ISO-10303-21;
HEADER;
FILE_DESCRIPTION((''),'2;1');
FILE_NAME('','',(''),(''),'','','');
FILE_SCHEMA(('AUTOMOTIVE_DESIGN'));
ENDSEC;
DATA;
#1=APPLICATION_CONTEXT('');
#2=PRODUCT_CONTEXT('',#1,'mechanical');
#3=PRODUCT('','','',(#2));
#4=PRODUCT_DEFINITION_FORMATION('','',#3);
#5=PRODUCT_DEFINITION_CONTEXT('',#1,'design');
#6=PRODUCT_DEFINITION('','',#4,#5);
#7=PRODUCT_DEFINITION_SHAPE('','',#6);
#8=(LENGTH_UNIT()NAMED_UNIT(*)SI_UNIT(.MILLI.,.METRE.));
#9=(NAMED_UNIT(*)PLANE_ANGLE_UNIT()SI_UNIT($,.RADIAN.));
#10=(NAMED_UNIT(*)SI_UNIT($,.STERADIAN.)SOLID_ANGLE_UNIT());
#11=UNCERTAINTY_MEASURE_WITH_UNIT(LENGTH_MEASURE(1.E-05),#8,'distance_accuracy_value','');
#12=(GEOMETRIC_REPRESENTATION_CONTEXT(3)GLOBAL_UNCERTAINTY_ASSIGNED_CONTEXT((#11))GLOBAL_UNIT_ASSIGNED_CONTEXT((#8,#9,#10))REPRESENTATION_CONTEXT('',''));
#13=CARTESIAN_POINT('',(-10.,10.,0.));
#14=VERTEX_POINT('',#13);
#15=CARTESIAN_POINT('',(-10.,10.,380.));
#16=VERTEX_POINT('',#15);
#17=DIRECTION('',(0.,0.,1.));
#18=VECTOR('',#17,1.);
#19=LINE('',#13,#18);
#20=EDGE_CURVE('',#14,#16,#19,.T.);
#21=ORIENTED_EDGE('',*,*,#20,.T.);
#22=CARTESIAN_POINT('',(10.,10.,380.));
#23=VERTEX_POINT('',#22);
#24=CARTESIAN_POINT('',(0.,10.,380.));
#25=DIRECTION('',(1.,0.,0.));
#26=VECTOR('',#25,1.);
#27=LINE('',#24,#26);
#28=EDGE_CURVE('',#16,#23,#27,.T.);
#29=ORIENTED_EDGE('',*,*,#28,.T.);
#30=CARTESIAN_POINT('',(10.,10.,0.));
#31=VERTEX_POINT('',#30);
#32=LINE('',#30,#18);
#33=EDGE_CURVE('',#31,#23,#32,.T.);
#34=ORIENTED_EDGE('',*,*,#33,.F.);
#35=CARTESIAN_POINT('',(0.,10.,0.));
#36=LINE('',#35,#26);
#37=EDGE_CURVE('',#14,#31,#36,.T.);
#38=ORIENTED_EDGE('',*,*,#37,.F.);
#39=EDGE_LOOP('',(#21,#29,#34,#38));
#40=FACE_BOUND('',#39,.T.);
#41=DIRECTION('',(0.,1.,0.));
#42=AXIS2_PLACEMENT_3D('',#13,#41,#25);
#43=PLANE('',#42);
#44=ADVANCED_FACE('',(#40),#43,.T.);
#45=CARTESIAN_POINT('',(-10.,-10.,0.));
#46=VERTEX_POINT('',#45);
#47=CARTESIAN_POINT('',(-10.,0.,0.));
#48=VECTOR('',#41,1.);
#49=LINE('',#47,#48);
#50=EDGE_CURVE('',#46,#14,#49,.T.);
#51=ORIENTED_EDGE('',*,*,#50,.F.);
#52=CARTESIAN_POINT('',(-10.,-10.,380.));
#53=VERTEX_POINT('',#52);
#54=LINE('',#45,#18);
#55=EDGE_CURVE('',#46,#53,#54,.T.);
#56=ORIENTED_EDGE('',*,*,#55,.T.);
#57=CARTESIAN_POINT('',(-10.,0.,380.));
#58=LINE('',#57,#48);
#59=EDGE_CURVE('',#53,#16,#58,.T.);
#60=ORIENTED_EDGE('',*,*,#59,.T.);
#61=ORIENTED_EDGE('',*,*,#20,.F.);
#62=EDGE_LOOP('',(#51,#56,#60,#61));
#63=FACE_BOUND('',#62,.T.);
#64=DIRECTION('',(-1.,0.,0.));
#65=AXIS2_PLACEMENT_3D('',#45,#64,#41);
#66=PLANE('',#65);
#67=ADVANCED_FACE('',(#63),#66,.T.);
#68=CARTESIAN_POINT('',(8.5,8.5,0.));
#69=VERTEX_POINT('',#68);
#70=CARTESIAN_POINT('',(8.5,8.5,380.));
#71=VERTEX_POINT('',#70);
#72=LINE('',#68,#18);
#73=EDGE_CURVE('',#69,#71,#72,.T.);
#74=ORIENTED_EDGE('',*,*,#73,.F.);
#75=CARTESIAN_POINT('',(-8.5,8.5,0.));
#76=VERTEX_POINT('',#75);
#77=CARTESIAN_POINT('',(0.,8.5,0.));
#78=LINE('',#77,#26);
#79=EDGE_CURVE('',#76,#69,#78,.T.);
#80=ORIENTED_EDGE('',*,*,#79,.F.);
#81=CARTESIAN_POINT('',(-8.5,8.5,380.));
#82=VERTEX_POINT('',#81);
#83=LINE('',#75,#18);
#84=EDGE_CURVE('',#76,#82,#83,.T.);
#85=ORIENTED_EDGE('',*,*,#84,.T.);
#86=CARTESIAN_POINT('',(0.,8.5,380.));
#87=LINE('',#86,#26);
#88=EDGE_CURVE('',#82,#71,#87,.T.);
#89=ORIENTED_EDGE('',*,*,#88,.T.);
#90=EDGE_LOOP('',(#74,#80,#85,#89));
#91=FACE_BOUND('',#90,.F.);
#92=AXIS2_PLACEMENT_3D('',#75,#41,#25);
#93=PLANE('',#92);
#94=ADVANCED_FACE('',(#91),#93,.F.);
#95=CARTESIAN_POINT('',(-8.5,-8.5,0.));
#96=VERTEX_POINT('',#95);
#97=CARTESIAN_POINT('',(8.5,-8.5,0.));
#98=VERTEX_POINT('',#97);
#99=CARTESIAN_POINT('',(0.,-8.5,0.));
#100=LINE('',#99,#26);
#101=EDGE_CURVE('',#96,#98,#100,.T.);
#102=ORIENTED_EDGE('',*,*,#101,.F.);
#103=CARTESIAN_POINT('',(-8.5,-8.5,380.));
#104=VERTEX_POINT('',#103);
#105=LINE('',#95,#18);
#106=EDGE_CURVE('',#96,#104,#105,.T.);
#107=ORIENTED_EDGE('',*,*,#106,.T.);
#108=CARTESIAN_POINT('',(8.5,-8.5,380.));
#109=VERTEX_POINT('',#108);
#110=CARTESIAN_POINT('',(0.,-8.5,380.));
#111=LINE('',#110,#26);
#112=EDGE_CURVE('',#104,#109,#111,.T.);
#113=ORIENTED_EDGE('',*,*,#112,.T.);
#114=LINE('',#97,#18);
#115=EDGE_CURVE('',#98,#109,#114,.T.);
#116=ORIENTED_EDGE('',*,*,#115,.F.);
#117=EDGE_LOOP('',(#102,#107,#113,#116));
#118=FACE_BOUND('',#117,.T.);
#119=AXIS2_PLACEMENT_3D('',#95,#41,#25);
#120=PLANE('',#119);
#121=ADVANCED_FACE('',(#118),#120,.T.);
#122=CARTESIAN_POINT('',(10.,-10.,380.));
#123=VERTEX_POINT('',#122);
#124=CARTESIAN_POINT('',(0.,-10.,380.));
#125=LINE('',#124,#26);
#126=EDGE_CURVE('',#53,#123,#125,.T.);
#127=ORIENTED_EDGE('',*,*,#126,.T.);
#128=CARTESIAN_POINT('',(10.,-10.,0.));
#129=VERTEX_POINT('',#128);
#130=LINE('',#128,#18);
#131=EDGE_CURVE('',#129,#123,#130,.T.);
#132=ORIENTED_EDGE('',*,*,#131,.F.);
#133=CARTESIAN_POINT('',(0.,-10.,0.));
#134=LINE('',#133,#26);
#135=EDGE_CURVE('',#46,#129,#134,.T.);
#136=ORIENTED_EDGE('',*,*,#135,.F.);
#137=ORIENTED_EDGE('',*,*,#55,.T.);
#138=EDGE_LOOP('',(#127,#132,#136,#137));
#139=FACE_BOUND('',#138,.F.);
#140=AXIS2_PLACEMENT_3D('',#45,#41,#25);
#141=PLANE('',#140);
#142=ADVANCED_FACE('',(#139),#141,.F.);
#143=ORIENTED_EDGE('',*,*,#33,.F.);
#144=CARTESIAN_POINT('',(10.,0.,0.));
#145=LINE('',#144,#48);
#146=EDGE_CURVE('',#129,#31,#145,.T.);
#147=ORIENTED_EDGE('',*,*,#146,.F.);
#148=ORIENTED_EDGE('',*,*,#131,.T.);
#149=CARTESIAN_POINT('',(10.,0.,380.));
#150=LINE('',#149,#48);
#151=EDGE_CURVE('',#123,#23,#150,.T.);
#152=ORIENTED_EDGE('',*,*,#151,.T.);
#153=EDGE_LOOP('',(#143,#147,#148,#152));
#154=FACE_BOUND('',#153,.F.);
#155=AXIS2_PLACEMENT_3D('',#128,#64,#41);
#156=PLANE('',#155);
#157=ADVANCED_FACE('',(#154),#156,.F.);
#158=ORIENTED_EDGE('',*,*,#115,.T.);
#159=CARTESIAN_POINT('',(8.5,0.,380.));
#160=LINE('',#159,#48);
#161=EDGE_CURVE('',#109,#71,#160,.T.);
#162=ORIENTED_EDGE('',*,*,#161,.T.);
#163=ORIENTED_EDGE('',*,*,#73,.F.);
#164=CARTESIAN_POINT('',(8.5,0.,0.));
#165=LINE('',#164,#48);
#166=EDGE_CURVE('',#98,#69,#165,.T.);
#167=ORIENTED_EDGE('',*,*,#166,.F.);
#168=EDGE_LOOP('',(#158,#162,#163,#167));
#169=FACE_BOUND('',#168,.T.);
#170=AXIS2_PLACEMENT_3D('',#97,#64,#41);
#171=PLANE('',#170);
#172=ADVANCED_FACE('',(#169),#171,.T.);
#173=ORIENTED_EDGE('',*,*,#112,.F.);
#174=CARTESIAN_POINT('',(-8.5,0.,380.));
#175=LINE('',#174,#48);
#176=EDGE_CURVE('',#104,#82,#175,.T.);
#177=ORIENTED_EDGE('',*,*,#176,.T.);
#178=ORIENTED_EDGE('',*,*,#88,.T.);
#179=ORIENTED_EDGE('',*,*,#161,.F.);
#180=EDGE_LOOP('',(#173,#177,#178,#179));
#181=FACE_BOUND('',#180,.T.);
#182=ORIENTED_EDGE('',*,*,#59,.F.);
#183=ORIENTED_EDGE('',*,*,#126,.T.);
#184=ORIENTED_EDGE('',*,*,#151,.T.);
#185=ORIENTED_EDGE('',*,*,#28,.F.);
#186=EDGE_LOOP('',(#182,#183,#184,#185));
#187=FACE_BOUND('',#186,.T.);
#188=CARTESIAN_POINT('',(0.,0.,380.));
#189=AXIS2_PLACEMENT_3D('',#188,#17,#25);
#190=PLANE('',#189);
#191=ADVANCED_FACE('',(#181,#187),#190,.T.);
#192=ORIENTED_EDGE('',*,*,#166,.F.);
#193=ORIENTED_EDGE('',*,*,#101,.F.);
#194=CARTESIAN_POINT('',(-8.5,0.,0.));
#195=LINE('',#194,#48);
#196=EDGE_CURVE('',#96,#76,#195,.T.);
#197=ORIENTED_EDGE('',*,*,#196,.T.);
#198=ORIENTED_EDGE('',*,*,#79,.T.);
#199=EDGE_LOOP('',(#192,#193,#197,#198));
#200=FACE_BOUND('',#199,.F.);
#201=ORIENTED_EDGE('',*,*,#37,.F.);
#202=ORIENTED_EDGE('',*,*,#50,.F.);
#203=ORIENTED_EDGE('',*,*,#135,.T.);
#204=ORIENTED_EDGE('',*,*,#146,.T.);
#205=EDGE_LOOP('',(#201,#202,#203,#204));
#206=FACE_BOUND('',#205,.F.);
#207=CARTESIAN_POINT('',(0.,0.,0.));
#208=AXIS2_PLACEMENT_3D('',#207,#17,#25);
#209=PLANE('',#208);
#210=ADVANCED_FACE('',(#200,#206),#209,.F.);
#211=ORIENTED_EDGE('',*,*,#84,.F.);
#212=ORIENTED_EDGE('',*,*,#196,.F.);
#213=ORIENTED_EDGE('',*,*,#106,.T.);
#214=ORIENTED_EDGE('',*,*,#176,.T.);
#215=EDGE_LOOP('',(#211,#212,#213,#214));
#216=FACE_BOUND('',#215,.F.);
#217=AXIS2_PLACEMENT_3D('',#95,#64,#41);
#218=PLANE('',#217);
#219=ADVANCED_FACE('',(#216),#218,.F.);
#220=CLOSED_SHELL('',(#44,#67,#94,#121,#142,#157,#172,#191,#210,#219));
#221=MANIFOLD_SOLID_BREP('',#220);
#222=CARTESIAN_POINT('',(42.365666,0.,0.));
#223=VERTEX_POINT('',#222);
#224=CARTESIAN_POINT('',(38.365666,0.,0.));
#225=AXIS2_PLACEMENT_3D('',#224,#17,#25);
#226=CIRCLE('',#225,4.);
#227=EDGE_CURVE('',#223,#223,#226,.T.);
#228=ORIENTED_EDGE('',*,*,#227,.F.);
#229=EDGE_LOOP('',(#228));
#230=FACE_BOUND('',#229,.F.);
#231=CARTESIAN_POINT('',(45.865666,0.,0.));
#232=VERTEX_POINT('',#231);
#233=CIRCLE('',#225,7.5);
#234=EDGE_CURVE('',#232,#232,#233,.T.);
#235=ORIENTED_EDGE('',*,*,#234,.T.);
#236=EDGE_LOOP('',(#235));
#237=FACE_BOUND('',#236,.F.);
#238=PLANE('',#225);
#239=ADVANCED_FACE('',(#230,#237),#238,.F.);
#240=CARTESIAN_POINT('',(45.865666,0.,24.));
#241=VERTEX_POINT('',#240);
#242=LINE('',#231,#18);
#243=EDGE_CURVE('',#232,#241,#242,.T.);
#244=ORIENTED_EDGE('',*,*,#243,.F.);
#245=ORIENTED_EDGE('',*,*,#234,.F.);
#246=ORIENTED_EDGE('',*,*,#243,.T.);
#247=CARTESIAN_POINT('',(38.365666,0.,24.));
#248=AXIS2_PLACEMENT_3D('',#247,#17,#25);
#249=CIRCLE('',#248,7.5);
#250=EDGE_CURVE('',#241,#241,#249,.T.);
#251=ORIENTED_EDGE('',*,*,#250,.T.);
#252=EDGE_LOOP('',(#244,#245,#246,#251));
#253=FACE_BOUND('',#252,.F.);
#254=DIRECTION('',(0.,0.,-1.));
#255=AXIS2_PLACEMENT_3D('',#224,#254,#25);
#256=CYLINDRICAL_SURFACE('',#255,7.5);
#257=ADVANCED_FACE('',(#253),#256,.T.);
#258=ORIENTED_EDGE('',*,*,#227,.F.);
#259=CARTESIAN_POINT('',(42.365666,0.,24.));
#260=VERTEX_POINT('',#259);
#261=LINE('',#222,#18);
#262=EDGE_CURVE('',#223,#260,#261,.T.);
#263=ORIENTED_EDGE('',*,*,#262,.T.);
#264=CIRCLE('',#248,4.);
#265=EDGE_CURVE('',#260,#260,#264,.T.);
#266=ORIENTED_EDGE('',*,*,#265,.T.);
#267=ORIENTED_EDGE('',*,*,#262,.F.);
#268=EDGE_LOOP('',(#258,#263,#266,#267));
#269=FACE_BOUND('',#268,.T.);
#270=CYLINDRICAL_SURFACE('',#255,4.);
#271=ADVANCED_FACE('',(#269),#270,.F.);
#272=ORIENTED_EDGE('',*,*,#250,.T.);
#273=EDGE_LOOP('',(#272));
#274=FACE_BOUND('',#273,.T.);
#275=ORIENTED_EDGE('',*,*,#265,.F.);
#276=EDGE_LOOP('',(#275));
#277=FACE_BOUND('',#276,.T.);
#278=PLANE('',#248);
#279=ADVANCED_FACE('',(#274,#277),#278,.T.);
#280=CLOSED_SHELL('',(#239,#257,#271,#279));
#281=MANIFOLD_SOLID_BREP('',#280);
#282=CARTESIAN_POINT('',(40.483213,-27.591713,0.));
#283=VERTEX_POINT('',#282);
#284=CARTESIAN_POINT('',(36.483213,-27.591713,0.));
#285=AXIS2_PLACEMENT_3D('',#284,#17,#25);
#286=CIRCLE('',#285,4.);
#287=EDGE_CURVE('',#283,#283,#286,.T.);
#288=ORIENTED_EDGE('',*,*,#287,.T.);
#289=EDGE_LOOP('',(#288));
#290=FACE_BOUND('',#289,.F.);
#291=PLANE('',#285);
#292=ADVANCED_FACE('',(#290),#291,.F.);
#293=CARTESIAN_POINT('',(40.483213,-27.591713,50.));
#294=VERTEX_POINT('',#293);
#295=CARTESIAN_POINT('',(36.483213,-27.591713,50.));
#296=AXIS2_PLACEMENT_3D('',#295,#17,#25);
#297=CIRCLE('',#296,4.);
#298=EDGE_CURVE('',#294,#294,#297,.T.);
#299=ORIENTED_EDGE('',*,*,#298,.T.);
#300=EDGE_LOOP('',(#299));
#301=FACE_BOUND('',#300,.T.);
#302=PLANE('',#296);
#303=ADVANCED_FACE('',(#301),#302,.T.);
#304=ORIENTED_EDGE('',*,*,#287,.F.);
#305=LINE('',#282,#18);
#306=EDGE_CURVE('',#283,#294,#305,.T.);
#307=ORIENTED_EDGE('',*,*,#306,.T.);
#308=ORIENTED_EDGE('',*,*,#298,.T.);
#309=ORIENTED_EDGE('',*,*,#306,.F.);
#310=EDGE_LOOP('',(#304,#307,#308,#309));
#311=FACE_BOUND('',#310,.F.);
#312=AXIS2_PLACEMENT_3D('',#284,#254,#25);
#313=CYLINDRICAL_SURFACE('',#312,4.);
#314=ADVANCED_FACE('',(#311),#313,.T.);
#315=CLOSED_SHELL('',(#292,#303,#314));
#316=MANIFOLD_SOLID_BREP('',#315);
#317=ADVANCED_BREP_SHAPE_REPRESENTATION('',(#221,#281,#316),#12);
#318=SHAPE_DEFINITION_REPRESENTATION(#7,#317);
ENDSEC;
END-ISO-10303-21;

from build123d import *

# Parameters (mm, degrees)
F0_W     = 20
F0_H     = 20
F0_W_2   = 17
F0_H_2   = 17
F1_DEPTH = 380
F2_R     = 7.5
F2_R_2   = 4
F3_DEPTH = 24
F4_R     = 4
F5_DEPTH = 50


with BuildPart() as f1:
    # F0 (on Top) → F1 (new body)
    with BuildSketch(Plane.XY):
        Rectangle(F0_W, F0_H)
        Rectangle(F0_W_2, F0_H_2, mode=Mode.SUBTRACT)
    extrude(amount=F1_DEPTH)


with BuildPart() as f3:
    # F2 (on Top) → F3 (new body)
    with BuildSketch(Plane.XY):
        with Locations((38.365666, 0)):
            Circle(F2_R)
        with Locations((38.365666, 0)):
            Circle(F2_R_2, mode=Mode.SUBTRACT)
    extrude(amount=F3_DEPTH)


with BuildPart() as f5:
    # F4 (on Top) → F5 (new body)
    with BuildSketch(Plane.XY):
        with Locations((36.483213, -27.591713)):
            Circle(F4_R)
    extrude(amount=F5_DEPTH)


solid = Compound([f1.part, f3.part, f5.part])
